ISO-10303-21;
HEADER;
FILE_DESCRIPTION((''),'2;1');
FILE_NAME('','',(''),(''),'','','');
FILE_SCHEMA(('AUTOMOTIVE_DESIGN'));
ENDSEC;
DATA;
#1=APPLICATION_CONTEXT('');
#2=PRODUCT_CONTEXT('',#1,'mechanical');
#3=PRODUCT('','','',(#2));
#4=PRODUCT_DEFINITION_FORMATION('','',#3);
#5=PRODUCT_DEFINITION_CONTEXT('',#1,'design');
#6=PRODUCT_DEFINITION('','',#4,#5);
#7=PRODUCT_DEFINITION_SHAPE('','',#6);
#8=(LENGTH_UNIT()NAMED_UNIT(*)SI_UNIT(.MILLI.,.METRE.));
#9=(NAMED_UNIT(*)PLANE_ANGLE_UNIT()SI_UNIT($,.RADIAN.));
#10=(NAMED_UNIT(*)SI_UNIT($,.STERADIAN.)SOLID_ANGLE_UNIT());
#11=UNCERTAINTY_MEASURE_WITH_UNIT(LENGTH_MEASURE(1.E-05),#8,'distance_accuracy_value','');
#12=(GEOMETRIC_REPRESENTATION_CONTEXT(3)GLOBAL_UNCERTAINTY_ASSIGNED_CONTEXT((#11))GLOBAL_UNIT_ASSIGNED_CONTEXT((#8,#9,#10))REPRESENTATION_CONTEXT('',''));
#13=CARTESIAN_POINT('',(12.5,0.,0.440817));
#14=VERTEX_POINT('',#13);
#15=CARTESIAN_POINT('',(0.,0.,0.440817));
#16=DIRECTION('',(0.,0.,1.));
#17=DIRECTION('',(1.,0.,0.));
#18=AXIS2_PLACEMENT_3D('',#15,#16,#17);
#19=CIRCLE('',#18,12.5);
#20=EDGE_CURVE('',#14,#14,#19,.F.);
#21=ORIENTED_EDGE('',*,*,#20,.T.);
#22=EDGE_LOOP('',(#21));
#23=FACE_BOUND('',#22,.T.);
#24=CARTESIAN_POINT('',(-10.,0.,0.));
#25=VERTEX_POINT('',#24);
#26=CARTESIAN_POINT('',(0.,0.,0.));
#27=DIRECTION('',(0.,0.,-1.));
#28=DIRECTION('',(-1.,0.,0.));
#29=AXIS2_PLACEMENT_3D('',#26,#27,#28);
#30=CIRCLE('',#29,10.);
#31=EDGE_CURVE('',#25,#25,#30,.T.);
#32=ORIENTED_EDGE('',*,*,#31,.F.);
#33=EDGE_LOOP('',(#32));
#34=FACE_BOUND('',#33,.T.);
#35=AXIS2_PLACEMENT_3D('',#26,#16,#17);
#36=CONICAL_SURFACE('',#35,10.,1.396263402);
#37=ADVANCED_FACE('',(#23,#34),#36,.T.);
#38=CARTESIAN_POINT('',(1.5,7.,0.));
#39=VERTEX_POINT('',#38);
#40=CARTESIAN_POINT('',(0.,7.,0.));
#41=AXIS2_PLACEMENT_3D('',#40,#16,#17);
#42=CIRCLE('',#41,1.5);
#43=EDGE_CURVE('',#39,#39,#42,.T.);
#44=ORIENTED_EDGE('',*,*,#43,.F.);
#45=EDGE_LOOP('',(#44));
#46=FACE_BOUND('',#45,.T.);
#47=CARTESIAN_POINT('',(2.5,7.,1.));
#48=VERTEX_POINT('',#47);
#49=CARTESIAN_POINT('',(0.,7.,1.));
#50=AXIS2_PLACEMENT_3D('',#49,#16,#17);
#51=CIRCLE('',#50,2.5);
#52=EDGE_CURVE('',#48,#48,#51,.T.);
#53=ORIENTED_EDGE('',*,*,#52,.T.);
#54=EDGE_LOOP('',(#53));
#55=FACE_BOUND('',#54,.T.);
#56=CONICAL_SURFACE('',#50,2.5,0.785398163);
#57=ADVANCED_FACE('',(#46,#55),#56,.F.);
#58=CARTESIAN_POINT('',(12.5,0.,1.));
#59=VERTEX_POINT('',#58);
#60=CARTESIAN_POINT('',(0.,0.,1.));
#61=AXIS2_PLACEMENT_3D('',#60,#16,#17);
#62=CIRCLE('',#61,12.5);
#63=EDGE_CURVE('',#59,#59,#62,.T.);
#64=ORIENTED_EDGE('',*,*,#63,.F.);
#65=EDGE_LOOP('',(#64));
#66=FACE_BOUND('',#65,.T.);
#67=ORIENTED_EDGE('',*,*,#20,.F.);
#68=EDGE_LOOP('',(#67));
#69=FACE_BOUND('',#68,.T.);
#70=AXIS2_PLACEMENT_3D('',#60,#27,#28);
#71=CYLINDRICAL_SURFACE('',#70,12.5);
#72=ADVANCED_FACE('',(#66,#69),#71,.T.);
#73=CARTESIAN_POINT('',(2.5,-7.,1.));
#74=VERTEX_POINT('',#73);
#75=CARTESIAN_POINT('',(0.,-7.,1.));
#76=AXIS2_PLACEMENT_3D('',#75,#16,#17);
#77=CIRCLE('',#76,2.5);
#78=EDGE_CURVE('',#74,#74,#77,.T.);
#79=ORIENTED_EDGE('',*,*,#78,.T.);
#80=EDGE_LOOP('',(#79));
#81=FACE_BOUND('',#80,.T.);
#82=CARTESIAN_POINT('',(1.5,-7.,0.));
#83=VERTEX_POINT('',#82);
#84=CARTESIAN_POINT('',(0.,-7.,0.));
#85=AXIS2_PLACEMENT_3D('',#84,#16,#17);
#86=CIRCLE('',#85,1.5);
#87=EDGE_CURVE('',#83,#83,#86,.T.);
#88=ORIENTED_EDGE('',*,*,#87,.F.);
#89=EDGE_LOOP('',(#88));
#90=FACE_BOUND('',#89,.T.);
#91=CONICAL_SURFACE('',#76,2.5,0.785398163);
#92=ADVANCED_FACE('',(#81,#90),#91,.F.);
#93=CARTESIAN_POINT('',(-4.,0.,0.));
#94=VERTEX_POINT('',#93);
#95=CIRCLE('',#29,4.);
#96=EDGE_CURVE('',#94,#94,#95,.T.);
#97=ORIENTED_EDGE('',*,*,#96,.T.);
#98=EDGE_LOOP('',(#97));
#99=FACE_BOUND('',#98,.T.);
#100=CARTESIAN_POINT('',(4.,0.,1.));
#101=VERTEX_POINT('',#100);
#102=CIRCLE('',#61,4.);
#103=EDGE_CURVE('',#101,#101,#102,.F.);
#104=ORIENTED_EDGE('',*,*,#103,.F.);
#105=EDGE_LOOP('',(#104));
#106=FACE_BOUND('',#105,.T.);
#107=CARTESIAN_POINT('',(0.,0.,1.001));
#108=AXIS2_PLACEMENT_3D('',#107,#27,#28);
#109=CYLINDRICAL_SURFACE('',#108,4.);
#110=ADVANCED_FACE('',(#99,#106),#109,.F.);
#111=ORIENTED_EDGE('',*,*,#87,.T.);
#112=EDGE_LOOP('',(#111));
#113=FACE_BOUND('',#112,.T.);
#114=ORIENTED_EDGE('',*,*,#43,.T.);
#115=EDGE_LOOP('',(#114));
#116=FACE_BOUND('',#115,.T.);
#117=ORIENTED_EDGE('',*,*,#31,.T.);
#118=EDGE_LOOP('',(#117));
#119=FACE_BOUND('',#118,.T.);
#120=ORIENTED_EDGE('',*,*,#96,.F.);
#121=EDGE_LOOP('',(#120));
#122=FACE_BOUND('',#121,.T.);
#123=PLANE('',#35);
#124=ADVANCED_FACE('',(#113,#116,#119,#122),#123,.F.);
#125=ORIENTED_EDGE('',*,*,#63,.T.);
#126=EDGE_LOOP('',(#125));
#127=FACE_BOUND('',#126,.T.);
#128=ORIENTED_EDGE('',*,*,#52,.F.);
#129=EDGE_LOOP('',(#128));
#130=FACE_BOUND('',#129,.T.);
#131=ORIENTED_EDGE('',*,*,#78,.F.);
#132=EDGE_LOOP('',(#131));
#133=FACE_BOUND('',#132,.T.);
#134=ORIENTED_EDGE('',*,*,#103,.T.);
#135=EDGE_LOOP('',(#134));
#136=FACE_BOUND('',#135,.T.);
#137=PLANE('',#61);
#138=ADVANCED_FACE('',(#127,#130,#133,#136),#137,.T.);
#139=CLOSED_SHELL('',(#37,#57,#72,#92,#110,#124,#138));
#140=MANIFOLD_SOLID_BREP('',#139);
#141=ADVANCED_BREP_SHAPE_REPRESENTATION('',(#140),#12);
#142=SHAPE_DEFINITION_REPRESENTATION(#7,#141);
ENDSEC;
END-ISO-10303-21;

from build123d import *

# Parameters (mm, degrees)
SKETCH1_R                                    = 12.5
BOSS_EXTRUDE1_DEPTH                          = 1
CUT_EXTRUDE1_REACH                           = 19.706
SKETCH3_R                                    = 4
CSK_FOR_M3_FLAT_COUNTERSUNK_HEAD_SCR_2_COUNT = 2
CSK_FOR_M3_FLAT_COUNTERSUNK_HEAD_SCR_2_PITCH = 14


with BuildPart() as part:
    # Sketch1 → Boss-Extrude1 (new body)
    with BuildSketch(Plane.XY):
        Circle(SKETCH1_R)
    extrude(amount=BOSS_EXTRUDE1_DEPTH)

    # Sketch2 → Cut-Revolve1 (revolve, cut)
    with BuildSketch(Plane(origin=(0, 0, 2), x_dir=(0, 0, 1), z_dir=(-1, 0, 0)), mode=Mode.PRIVATE) as cut_revolve1_sk:
        Polygon((-2, 10), (-1.530086733, 12.665010569), (-2, 12.665010386), align=None)
    revolve(cut_revolve1_sk.sketch.rotate(Axis((0, 0, -0.1), (0, 0, 1)), 270), axis=Axis((0, 0, -0.1), (0, 0, 1)), mode=Mode.SUBTRACT)

    # Sketch3 → Cut-Extrude1 (cut, up to next)
    with BuildSketch(Plane(origin=(0, 0, 0), x_dir=(-1, 0, 0), z_dir=(0, 0, -1)), mode=Mode.PRIVATE) as cut_extrude1_sk1:
        Circle(SKETCH3_R)
    cut_extrude1_tool1 = extrude(cut_extrude1_sk1.sketch, amount=-CUT_EXTRUDE1_REACH, mode=Mode.PRIVATE) & part.part
    add(cut_extrude1_tool1.solids().sort_by_distance((0, 0, 0))[0], mode=Mode.SUBTRACT)

    # Sketch5 → CSK for M3 Flat Countersunk Head Screw1 (revolve, cut)
    with BuildSketch(Plane(origin=(0, 7, 1), x_dir=(0, -1, 0), z_dir=(1, 0, 0))):
        Polygon((0, 0), (0, 1), (1.35, 1), (1.35, 1.15), (2.5, 0), align=None)
    csk_for_m3_flat_countersunk_head_screw1 = revolve(axis=Axis((0, 7, 7.35), (0, 0, -1)), mode=Mode.SUBTRACT)

    # CSK for M3 Flat Countersunk Head Scr 2: CSK for M3 Flat Countersunk Head Screw1 ×2
    with Locations(*[(0, -i * CSK_FOR_M3_FLAT_COUNTERSUNK_HEAD_SCR_2_PITCH, 0) for i in range(1, CSK_FOR_M3_FLAT_COUNTERSUNK_HEAD_SCR_2_COUNT)]):
        add(csk_for_m3_flat_countersunk_head_screw1, mode=Mode.SUBTRACT)


solid = part.part
